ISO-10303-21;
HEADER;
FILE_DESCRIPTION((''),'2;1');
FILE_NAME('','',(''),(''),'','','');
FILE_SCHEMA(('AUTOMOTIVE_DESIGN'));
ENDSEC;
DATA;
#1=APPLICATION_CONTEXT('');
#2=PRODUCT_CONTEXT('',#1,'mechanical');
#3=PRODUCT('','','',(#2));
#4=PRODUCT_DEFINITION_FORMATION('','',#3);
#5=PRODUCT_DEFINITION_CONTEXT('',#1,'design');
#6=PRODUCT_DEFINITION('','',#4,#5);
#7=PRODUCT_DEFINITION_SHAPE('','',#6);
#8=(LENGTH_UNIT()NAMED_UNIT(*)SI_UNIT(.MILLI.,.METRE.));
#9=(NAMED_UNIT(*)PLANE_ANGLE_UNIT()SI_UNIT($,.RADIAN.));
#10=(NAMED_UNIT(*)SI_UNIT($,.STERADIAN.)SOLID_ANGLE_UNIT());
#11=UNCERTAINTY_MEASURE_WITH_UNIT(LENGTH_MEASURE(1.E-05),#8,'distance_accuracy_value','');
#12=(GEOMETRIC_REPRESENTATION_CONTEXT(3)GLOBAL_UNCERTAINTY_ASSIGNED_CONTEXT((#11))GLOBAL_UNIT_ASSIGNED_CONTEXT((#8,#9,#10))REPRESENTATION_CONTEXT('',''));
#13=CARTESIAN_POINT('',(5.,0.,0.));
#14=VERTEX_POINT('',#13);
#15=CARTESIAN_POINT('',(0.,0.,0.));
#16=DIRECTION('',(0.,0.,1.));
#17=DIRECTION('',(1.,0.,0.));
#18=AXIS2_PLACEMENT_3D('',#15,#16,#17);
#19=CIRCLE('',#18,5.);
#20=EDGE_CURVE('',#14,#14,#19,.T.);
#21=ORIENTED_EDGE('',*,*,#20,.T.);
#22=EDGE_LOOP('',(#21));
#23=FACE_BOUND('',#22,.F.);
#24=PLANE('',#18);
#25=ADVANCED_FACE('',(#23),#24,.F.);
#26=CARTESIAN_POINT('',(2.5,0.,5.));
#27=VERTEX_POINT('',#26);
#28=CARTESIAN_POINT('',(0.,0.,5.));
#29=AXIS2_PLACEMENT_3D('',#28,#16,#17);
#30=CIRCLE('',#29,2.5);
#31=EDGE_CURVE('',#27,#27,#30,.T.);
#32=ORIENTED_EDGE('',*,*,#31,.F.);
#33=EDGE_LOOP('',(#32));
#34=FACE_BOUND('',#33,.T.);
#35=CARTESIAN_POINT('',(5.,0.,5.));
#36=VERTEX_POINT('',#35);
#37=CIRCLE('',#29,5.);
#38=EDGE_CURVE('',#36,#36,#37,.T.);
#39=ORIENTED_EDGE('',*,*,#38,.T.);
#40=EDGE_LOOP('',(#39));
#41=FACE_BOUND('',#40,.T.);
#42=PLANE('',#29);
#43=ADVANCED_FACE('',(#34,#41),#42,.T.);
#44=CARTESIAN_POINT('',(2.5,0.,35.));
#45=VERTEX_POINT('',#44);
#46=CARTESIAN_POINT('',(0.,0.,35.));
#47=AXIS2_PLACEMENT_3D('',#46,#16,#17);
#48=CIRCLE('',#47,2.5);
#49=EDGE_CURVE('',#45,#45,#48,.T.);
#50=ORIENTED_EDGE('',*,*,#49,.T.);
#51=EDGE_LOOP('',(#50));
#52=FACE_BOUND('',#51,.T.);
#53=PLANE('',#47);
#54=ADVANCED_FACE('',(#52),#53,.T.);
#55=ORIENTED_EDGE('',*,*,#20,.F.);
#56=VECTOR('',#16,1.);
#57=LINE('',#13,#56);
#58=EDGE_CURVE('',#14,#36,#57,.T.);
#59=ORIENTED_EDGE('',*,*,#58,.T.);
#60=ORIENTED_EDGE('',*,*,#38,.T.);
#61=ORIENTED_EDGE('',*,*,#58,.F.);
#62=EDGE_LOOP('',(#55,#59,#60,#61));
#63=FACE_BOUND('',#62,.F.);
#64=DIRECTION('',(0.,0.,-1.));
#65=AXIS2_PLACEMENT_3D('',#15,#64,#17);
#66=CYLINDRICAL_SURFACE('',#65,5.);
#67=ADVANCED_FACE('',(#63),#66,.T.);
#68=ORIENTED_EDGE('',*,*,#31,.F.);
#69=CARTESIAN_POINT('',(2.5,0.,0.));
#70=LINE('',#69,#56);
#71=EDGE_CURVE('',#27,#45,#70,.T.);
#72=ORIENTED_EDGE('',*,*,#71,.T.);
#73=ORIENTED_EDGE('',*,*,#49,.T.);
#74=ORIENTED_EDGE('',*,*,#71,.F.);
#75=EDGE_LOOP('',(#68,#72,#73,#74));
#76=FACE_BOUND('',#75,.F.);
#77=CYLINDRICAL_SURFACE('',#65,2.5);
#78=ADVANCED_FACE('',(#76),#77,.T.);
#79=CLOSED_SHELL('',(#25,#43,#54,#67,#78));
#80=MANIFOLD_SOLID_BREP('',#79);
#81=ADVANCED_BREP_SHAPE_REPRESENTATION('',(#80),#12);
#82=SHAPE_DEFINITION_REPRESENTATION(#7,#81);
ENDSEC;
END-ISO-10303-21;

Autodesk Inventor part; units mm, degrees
ref_plane "YZ Plane" through (0, 0, 0) normal (1, 0, 0) x (0, 1, 0)
ref_plane "XZ Plane" through (0, 0, 0) normal (0, 1, 0) x (-1, 0, 0)
ref_plane "XY Plane" through (0, 0, 0) normal (0, 0, 1) x (1, 0, 0)
sketch "Sketch1" plane through (0, 0, 0) normal (0, 0, 1) x (1, 0, 0)
  circle A0 centre (0, 0) radius 2.5
  circle A1 centre (0, 0) radius 5
  dimension "d0" = 5
  dimension "d1" = 10
extrude "Extrusion1" add sketch "Sketch1" along normal blind 35 contours A0
extrude "Extrusion2" add sketch "Sketch1" along normal blind 5
properties part number "Bolt (Front tyre)"
